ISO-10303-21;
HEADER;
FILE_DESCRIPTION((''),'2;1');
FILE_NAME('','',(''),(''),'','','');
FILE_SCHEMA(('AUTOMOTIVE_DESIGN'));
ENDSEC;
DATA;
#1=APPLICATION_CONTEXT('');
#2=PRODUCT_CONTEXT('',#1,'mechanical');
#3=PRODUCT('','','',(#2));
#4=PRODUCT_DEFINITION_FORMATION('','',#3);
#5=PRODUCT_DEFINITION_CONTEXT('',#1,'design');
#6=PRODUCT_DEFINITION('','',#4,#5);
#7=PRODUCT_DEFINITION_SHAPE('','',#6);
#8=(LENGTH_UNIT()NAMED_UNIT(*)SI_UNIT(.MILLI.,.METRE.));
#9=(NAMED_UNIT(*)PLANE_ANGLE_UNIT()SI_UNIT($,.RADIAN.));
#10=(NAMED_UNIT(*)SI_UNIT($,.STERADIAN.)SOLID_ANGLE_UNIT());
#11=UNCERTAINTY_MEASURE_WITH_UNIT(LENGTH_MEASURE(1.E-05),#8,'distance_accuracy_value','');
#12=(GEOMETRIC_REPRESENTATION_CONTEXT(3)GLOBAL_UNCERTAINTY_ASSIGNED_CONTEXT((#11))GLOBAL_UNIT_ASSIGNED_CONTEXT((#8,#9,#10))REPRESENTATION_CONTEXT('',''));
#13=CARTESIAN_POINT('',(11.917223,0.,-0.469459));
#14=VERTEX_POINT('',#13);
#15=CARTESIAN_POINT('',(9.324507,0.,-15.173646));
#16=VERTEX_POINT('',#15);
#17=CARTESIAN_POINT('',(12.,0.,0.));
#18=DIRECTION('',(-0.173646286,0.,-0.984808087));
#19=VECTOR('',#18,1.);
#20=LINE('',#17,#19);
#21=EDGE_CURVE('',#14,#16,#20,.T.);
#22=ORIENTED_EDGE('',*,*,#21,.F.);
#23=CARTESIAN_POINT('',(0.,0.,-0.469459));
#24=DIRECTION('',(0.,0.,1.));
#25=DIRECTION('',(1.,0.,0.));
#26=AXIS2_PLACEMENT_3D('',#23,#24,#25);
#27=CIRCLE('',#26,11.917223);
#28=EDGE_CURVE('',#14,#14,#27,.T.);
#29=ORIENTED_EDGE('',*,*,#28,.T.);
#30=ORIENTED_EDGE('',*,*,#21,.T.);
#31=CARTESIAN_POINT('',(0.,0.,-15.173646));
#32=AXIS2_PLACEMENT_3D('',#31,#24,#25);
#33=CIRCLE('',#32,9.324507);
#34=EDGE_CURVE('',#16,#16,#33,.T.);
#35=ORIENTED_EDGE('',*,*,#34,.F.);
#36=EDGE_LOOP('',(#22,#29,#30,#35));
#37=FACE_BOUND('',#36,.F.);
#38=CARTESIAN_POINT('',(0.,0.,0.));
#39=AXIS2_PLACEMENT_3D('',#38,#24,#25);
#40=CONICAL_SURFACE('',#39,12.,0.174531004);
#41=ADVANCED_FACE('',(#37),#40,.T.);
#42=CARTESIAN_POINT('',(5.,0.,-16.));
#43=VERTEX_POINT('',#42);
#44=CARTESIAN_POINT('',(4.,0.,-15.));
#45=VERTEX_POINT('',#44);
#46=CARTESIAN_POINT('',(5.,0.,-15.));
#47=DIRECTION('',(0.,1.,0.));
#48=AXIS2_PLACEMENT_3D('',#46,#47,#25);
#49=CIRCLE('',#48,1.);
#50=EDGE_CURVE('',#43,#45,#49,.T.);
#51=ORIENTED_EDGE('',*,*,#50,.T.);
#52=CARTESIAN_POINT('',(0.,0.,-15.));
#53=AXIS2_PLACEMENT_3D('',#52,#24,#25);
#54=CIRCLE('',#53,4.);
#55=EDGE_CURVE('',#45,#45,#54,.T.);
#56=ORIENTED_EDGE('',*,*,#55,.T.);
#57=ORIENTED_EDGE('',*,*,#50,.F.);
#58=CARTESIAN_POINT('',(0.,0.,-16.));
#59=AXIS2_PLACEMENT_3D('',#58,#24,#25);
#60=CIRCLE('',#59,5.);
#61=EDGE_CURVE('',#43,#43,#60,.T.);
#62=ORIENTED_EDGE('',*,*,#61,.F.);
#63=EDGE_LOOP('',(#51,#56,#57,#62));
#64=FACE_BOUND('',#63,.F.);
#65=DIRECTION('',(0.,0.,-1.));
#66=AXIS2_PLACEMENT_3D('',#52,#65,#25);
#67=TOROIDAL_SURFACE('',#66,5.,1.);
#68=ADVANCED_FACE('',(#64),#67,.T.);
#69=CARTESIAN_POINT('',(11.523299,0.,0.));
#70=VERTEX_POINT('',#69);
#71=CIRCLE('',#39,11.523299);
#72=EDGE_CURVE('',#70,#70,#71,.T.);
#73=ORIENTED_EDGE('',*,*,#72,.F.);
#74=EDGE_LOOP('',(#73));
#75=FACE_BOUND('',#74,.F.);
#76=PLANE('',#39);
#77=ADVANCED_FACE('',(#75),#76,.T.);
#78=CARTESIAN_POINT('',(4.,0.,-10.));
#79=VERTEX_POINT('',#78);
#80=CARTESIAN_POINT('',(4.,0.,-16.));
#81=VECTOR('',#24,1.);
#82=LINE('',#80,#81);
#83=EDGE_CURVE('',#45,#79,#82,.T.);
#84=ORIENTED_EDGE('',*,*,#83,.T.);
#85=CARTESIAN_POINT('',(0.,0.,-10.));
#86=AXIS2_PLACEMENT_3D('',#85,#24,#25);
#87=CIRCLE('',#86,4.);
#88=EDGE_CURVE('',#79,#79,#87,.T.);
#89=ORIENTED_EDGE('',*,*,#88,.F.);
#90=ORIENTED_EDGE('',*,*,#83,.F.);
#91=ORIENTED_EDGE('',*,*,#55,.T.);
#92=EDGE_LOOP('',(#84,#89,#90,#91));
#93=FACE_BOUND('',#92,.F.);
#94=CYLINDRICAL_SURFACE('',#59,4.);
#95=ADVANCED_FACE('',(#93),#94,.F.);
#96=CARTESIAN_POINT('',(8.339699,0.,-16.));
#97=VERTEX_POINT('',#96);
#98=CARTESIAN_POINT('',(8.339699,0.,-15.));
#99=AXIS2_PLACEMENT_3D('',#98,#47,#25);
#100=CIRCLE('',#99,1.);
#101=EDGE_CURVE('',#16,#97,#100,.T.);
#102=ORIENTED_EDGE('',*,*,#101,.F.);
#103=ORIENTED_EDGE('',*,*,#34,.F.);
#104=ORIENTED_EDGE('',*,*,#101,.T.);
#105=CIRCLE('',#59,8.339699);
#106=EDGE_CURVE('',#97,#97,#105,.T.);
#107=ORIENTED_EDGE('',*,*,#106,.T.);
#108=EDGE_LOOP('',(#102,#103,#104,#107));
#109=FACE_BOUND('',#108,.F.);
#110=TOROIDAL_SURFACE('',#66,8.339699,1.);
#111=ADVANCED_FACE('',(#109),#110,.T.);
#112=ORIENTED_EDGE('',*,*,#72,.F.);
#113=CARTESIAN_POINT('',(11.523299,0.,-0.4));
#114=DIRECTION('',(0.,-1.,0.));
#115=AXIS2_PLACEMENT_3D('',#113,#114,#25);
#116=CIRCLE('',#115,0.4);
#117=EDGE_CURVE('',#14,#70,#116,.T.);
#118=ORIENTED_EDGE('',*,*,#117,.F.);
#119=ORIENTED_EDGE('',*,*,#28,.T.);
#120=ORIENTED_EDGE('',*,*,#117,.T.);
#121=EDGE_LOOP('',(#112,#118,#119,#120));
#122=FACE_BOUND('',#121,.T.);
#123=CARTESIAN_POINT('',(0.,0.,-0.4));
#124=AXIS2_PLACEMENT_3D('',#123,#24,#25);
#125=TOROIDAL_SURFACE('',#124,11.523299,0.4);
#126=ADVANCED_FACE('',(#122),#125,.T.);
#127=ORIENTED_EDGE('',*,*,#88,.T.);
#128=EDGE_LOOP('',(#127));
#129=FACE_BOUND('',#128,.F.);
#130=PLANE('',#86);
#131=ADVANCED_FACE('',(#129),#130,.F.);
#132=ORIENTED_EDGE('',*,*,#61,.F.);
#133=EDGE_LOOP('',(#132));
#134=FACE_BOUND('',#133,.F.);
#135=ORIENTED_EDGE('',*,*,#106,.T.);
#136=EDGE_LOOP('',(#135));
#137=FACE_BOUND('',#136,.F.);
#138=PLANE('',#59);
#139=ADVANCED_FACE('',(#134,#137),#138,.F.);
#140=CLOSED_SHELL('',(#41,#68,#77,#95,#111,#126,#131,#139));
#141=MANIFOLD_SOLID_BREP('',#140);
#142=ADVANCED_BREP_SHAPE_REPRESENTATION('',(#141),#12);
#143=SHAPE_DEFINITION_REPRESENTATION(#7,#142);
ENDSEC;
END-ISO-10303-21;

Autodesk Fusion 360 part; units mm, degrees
sketch "Skizze1" plane through (0, 0, 0) normal (0, 1, 0) x (1, 0, 0)
  line L0 (0, 0) -> (12, 0)
  line L1 (12, 0) -> (9.1788, 16)
  line L2 (9.1788, 16) -> (4, 16)
  line L3 (4, 16) -> (4, 10)
  line L4 (4, 10) -> (0, 10)
  line L5 (0, 10) -> (0, 0)
  dimension "d1" = 12
  dimension "d2" = 80
  dimension "d3" = 16
  dimension "d4" = 4
  dimension "d5" = 6
revolve "Drehen1" add sketch "Skizze1" angle 360 about axis through (0, 0, 1.75) along (0, 0, 1)
fillet "Abrundung1" radius 0.4 1 edges at (-11.1879, -4.3394, 0)
fillet "Abrundung2" radius 1 2 edges at (-3.7293, -1.4465, -16) (-8.5576, -3.3192, -16)
